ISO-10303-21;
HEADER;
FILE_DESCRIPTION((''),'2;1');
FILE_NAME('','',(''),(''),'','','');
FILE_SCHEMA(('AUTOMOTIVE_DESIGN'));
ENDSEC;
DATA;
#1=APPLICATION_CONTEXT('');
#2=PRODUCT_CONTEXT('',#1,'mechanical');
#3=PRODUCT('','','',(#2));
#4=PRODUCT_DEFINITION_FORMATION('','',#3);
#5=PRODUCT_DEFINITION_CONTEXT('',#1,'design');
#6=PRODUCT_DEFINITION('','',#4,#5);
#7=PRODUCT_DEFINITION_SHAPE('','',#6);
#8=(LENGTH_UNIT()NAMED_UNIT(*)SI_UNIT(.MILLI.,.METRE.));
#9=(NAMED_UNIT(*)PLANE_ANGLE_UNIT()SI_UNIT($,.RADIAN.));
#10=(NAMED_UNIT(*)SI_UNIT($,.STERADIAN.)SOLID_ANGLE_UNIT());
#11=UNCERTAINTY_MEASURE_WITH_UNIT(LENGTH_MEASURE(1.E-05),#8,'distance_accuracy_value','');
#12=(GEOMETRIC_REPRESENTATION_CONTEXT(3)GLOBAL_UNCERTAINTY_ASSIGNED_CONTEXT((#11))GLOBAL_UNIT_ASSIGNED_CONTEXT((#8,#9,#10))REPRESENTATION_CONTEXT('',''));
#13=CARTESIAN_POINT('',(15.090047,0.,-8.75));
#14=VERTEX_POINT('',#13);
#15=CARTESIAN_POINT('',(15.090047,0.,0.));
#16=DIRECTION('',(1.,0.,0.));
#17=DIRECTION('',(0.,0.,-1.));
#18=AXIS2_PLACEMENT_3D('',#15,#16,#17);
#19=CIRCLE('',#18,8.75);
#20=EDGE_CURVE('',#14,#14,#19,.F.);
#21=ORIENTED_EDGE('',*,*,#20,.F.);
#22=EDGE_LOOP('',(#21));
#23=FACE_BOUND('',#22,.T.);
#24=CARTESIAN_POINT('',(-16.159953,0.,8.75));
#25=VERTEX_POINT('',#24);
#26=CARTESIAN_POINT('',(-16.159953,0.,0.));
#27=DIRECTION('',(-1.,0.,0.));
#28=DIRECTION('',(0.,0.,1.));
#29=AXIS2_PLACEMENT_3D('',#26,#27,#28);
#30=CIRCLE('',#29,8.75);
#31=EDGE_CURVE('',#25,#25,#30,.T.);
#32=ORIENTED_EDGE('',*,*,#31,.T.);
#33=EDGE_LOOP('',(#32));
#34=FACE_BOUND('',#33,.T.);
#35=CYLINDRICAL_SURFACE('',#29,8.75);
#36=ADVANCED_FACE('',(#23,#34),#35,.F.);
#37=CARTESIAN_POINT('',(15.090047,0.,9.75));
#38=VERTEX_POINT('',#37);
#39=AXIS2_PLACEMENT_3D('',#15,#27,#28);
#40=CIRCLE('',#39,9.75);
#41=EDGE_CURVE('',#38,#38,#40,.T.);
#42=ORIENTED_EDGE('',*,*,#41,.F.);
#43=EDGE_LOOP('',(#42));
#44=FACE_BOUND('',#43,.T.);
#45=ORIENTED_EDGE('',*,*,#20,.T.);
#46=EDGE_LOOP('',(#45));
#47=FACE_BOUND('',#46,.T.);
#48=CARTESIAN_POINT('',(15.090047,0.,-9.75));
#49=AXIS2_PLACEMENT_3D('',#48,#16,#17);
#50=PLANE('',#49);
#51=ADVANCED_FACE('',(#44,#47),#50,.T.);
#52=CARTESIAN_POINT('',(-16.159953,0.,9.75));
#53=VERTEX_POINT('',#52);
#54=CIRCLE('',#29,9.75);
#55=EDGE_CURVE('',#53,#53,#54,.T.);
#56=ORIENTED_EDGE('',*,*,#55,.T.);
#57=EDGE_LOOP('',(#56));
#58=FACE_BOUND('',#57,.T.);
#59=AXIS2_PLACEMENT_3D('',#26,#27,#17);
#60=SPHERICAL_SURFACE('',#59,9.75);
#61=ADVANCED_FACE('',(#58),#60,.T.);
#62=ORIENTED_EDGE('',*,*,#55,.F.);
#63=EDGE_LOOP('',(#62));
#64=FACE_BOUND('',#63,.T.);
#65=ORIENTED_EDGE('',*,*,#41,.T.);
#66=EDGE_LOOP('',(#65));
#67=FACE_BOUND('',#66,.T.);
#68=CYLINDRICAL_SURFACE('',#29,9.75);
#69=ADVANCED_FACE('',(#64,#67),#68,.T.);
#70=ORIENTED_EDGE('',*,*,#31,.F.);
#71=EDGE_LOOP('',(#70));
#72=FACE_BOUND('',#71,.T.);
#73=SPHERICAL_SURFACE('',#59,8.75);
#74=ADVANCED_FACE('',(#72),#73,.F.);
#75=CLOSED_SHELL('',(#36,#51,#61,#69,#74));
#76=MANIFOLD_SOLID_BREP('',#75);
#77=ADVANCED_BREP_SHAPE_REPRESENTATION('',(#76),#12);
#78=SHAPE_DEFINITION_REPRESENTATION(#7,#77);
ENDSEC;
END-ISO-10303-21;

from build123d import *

# Parameters (mm, degrees)
SHELL1_T = -1


with BuildPart() as part:
    # Sketch1 → Revolve1 (revolve)
    with BuildSketch(Plane(origin=(0, 0, 0), x_dir=(1, 0, 0), z_dir=(0, 1, 0)), mode=Mode.PRIVATE) as revolve1_sk:
        with BuildLine():
            Line((-16.159952826, 9.75), (15.090047174, 9.75))
            Line((15.090047174, 9.75), (15.090047174, 0))
            Line((15.090047174, 0), (-25.909952826, 0))
            ThreePointArc((-25.909952826, 0), (-23.054243943, 6.894291117), (-16.159952826, 9.75))
        make_face()
    revolve(revolve1_sk.sketch.rotate(Axis((-16.159952826, 0, 0), (1, 0, 0)), 180), axis=Axis((-16.159952826, 0, 0), (1, 0, 0)))

    # Shell1
    shell1_openings = [part.faces().sort_by_distance(p)[0] for p in [
        (15.090047174, 0, 0),
    ]]
    offset(amount=SHELL1_T, openings=shell1_openings, kind=Kind.INTERSECTION)


solid = part.part
